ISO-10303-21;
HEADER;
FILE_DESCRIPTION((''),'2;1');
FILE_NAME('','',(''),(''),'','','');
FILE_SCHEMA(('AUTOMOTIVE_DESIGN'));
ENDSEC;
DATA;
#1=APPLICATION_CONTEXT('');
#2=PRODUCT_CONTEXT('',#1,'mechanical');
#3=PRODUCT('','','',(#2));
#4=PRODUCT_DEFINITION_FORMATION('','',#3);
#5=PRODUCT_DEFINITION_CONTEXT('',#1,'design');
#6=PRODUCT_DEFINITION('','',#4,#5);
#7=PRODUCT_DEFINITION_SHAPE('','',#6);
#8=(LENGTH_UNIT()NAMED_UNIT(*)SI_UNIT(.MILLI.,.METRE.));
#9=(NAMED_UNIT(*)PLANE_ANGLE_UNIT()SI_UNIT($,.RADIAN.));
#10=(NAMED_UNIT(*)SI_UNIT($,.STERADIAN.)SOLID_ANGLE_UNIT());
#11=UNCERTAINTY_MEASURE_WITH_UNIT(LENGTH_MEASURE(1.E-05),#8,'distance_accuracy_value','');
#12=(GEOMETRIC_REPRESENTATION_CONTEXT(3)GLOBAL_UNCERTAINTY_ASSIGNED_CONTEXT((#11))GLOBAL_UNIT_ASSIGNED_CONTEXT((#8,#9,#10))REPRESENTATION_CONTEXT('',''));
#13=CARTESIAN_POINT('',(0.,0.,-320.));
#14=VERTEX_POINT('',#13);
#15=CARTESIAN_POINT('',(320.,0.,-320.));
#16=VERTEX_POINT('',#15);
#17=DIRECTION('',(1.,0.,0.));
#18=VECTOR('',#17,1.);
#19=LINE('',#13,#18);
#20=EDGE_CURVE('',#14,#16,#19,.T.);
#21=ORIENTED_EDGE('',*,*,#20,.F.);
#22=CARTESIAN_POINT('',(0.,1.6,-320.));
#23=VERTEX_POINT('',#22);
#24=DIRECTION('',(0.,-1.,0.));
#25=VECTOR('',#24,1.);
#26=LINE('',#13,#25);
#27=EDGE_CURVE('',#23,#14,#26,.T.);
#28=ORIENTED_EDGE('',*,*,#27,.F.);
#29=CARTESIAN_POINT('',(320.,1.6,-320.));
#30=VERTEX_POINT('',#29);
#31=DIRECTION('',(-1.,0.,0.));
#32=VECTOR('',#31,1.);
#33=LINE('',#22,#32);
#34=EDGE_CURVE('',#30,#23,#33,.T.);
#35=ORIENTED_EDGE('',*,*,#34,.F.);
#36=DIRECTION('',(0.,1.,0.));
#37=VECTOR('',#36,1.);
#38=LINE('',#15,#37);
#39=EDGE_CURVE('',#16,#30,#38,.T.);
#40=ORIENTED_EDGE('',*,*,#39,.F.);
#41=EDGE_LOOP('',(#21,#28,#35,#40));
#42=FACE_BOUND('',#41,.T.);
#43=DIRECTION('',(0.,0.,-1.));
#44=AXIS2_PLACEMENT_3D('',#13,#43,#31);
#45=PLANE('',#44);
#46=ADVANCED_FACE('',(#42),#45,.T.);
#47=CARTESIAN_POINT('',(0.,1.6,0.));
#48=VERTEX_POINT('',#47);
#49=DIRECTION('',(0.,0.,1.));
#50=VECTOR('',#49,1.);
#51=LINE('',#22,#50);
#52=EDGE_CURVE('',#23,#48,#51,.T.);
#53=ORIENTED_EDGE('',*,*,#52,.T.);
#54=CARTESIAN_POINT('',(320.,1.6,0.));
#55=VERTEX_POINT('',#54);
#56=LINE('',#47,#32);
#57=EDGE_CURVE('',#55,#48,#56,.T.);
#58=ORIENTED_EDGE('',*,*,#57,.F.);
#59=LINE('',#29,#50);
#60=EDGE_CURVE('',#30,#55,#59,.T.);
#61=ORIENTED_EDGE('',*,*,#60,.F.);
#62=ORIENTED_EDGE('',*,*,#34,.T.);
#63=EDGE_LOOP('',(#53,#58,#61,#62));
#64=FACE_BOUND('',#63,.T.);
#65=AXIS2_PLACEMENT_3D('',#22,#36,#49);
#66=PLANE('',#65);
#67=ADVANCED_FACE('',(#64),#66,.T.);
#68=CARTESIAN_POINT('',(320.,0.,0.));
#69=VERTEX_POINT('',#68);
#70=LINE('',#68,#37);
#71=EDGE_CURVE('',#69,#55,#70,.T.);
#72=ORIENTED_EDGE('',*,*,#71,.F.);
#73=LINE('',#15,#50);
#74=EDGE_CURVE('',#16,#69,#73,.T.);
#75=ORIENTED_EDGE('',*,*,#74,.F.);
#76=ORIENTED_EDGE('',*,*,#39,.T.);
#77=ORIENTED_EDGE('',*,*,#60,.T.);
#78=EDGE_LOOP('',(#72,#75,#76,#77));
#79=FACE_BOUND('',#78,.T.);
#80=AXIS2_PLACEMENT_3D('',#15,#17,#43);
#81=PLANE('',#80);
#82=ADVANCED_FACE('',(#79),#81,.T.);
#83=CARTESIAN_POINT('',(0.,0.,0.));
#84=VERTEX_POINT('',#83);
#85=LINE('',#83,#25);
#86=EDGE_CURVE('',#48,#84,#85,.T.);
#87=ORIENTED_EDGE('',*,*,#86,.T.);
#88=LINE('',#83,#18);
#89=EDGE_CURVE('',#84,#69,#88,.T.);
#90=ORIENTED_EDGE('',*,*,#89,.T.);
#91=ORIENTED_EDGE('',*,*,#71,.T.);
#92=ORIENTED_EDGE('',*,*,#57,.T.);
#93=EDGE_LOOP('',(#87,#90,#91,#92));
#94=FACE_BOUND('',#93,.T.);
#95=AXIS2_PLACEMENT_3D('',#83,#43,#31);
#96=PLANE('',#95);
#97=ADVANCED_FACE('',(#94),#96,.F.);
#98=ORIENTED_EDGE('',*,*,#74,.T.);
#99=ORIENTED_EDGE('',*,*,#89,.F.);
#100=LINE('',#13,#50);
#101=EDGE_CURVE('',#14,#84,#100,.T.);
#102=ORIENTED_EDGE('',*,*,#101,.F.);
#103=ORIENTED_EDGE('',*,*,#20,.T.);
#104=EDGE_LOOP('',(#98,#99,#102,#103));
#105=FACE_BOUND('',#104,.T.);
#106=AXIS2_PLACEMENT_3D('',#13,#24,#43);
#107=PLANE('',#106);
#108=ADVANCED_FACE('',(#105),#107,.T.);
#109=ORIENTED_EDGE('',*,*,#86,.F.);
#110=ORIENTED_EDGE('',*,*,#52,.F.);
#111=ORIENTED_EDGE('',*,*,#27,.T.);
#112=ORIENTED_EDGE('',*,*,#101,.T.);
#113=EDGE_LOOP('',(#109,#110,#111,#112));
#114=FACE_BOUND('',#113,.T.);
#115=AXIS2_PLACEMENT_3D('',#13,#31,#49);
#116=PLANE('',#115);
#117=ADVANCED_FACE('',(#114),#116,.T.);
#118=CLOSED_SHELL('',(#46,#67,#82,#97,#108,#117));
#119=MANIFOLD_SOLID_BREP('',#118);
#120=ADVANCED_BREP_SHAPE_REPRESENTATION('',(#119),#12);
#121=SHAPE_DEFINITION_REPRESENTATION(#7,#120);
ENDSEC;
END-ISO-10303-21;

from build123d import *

# Parameters (mm, degrees)
SKETCH1_W                  = 320
SKETCH1_H                  = 1.6
KUTU_TABAN_320X320_1_DEPTH = 320


with BuildPart() as part:
    # Sketch1 → KUTU_taban_320x320_1 (new body)
    with BuildSketch(Plane.XY):
        with Locations((160, 0.8)):
            Rectangle(SKETCH1_W, SKETCH1_H)
    extrude(amount=-KUTU_TABAN_320X320_1_DEPTH)


solid = part.part
